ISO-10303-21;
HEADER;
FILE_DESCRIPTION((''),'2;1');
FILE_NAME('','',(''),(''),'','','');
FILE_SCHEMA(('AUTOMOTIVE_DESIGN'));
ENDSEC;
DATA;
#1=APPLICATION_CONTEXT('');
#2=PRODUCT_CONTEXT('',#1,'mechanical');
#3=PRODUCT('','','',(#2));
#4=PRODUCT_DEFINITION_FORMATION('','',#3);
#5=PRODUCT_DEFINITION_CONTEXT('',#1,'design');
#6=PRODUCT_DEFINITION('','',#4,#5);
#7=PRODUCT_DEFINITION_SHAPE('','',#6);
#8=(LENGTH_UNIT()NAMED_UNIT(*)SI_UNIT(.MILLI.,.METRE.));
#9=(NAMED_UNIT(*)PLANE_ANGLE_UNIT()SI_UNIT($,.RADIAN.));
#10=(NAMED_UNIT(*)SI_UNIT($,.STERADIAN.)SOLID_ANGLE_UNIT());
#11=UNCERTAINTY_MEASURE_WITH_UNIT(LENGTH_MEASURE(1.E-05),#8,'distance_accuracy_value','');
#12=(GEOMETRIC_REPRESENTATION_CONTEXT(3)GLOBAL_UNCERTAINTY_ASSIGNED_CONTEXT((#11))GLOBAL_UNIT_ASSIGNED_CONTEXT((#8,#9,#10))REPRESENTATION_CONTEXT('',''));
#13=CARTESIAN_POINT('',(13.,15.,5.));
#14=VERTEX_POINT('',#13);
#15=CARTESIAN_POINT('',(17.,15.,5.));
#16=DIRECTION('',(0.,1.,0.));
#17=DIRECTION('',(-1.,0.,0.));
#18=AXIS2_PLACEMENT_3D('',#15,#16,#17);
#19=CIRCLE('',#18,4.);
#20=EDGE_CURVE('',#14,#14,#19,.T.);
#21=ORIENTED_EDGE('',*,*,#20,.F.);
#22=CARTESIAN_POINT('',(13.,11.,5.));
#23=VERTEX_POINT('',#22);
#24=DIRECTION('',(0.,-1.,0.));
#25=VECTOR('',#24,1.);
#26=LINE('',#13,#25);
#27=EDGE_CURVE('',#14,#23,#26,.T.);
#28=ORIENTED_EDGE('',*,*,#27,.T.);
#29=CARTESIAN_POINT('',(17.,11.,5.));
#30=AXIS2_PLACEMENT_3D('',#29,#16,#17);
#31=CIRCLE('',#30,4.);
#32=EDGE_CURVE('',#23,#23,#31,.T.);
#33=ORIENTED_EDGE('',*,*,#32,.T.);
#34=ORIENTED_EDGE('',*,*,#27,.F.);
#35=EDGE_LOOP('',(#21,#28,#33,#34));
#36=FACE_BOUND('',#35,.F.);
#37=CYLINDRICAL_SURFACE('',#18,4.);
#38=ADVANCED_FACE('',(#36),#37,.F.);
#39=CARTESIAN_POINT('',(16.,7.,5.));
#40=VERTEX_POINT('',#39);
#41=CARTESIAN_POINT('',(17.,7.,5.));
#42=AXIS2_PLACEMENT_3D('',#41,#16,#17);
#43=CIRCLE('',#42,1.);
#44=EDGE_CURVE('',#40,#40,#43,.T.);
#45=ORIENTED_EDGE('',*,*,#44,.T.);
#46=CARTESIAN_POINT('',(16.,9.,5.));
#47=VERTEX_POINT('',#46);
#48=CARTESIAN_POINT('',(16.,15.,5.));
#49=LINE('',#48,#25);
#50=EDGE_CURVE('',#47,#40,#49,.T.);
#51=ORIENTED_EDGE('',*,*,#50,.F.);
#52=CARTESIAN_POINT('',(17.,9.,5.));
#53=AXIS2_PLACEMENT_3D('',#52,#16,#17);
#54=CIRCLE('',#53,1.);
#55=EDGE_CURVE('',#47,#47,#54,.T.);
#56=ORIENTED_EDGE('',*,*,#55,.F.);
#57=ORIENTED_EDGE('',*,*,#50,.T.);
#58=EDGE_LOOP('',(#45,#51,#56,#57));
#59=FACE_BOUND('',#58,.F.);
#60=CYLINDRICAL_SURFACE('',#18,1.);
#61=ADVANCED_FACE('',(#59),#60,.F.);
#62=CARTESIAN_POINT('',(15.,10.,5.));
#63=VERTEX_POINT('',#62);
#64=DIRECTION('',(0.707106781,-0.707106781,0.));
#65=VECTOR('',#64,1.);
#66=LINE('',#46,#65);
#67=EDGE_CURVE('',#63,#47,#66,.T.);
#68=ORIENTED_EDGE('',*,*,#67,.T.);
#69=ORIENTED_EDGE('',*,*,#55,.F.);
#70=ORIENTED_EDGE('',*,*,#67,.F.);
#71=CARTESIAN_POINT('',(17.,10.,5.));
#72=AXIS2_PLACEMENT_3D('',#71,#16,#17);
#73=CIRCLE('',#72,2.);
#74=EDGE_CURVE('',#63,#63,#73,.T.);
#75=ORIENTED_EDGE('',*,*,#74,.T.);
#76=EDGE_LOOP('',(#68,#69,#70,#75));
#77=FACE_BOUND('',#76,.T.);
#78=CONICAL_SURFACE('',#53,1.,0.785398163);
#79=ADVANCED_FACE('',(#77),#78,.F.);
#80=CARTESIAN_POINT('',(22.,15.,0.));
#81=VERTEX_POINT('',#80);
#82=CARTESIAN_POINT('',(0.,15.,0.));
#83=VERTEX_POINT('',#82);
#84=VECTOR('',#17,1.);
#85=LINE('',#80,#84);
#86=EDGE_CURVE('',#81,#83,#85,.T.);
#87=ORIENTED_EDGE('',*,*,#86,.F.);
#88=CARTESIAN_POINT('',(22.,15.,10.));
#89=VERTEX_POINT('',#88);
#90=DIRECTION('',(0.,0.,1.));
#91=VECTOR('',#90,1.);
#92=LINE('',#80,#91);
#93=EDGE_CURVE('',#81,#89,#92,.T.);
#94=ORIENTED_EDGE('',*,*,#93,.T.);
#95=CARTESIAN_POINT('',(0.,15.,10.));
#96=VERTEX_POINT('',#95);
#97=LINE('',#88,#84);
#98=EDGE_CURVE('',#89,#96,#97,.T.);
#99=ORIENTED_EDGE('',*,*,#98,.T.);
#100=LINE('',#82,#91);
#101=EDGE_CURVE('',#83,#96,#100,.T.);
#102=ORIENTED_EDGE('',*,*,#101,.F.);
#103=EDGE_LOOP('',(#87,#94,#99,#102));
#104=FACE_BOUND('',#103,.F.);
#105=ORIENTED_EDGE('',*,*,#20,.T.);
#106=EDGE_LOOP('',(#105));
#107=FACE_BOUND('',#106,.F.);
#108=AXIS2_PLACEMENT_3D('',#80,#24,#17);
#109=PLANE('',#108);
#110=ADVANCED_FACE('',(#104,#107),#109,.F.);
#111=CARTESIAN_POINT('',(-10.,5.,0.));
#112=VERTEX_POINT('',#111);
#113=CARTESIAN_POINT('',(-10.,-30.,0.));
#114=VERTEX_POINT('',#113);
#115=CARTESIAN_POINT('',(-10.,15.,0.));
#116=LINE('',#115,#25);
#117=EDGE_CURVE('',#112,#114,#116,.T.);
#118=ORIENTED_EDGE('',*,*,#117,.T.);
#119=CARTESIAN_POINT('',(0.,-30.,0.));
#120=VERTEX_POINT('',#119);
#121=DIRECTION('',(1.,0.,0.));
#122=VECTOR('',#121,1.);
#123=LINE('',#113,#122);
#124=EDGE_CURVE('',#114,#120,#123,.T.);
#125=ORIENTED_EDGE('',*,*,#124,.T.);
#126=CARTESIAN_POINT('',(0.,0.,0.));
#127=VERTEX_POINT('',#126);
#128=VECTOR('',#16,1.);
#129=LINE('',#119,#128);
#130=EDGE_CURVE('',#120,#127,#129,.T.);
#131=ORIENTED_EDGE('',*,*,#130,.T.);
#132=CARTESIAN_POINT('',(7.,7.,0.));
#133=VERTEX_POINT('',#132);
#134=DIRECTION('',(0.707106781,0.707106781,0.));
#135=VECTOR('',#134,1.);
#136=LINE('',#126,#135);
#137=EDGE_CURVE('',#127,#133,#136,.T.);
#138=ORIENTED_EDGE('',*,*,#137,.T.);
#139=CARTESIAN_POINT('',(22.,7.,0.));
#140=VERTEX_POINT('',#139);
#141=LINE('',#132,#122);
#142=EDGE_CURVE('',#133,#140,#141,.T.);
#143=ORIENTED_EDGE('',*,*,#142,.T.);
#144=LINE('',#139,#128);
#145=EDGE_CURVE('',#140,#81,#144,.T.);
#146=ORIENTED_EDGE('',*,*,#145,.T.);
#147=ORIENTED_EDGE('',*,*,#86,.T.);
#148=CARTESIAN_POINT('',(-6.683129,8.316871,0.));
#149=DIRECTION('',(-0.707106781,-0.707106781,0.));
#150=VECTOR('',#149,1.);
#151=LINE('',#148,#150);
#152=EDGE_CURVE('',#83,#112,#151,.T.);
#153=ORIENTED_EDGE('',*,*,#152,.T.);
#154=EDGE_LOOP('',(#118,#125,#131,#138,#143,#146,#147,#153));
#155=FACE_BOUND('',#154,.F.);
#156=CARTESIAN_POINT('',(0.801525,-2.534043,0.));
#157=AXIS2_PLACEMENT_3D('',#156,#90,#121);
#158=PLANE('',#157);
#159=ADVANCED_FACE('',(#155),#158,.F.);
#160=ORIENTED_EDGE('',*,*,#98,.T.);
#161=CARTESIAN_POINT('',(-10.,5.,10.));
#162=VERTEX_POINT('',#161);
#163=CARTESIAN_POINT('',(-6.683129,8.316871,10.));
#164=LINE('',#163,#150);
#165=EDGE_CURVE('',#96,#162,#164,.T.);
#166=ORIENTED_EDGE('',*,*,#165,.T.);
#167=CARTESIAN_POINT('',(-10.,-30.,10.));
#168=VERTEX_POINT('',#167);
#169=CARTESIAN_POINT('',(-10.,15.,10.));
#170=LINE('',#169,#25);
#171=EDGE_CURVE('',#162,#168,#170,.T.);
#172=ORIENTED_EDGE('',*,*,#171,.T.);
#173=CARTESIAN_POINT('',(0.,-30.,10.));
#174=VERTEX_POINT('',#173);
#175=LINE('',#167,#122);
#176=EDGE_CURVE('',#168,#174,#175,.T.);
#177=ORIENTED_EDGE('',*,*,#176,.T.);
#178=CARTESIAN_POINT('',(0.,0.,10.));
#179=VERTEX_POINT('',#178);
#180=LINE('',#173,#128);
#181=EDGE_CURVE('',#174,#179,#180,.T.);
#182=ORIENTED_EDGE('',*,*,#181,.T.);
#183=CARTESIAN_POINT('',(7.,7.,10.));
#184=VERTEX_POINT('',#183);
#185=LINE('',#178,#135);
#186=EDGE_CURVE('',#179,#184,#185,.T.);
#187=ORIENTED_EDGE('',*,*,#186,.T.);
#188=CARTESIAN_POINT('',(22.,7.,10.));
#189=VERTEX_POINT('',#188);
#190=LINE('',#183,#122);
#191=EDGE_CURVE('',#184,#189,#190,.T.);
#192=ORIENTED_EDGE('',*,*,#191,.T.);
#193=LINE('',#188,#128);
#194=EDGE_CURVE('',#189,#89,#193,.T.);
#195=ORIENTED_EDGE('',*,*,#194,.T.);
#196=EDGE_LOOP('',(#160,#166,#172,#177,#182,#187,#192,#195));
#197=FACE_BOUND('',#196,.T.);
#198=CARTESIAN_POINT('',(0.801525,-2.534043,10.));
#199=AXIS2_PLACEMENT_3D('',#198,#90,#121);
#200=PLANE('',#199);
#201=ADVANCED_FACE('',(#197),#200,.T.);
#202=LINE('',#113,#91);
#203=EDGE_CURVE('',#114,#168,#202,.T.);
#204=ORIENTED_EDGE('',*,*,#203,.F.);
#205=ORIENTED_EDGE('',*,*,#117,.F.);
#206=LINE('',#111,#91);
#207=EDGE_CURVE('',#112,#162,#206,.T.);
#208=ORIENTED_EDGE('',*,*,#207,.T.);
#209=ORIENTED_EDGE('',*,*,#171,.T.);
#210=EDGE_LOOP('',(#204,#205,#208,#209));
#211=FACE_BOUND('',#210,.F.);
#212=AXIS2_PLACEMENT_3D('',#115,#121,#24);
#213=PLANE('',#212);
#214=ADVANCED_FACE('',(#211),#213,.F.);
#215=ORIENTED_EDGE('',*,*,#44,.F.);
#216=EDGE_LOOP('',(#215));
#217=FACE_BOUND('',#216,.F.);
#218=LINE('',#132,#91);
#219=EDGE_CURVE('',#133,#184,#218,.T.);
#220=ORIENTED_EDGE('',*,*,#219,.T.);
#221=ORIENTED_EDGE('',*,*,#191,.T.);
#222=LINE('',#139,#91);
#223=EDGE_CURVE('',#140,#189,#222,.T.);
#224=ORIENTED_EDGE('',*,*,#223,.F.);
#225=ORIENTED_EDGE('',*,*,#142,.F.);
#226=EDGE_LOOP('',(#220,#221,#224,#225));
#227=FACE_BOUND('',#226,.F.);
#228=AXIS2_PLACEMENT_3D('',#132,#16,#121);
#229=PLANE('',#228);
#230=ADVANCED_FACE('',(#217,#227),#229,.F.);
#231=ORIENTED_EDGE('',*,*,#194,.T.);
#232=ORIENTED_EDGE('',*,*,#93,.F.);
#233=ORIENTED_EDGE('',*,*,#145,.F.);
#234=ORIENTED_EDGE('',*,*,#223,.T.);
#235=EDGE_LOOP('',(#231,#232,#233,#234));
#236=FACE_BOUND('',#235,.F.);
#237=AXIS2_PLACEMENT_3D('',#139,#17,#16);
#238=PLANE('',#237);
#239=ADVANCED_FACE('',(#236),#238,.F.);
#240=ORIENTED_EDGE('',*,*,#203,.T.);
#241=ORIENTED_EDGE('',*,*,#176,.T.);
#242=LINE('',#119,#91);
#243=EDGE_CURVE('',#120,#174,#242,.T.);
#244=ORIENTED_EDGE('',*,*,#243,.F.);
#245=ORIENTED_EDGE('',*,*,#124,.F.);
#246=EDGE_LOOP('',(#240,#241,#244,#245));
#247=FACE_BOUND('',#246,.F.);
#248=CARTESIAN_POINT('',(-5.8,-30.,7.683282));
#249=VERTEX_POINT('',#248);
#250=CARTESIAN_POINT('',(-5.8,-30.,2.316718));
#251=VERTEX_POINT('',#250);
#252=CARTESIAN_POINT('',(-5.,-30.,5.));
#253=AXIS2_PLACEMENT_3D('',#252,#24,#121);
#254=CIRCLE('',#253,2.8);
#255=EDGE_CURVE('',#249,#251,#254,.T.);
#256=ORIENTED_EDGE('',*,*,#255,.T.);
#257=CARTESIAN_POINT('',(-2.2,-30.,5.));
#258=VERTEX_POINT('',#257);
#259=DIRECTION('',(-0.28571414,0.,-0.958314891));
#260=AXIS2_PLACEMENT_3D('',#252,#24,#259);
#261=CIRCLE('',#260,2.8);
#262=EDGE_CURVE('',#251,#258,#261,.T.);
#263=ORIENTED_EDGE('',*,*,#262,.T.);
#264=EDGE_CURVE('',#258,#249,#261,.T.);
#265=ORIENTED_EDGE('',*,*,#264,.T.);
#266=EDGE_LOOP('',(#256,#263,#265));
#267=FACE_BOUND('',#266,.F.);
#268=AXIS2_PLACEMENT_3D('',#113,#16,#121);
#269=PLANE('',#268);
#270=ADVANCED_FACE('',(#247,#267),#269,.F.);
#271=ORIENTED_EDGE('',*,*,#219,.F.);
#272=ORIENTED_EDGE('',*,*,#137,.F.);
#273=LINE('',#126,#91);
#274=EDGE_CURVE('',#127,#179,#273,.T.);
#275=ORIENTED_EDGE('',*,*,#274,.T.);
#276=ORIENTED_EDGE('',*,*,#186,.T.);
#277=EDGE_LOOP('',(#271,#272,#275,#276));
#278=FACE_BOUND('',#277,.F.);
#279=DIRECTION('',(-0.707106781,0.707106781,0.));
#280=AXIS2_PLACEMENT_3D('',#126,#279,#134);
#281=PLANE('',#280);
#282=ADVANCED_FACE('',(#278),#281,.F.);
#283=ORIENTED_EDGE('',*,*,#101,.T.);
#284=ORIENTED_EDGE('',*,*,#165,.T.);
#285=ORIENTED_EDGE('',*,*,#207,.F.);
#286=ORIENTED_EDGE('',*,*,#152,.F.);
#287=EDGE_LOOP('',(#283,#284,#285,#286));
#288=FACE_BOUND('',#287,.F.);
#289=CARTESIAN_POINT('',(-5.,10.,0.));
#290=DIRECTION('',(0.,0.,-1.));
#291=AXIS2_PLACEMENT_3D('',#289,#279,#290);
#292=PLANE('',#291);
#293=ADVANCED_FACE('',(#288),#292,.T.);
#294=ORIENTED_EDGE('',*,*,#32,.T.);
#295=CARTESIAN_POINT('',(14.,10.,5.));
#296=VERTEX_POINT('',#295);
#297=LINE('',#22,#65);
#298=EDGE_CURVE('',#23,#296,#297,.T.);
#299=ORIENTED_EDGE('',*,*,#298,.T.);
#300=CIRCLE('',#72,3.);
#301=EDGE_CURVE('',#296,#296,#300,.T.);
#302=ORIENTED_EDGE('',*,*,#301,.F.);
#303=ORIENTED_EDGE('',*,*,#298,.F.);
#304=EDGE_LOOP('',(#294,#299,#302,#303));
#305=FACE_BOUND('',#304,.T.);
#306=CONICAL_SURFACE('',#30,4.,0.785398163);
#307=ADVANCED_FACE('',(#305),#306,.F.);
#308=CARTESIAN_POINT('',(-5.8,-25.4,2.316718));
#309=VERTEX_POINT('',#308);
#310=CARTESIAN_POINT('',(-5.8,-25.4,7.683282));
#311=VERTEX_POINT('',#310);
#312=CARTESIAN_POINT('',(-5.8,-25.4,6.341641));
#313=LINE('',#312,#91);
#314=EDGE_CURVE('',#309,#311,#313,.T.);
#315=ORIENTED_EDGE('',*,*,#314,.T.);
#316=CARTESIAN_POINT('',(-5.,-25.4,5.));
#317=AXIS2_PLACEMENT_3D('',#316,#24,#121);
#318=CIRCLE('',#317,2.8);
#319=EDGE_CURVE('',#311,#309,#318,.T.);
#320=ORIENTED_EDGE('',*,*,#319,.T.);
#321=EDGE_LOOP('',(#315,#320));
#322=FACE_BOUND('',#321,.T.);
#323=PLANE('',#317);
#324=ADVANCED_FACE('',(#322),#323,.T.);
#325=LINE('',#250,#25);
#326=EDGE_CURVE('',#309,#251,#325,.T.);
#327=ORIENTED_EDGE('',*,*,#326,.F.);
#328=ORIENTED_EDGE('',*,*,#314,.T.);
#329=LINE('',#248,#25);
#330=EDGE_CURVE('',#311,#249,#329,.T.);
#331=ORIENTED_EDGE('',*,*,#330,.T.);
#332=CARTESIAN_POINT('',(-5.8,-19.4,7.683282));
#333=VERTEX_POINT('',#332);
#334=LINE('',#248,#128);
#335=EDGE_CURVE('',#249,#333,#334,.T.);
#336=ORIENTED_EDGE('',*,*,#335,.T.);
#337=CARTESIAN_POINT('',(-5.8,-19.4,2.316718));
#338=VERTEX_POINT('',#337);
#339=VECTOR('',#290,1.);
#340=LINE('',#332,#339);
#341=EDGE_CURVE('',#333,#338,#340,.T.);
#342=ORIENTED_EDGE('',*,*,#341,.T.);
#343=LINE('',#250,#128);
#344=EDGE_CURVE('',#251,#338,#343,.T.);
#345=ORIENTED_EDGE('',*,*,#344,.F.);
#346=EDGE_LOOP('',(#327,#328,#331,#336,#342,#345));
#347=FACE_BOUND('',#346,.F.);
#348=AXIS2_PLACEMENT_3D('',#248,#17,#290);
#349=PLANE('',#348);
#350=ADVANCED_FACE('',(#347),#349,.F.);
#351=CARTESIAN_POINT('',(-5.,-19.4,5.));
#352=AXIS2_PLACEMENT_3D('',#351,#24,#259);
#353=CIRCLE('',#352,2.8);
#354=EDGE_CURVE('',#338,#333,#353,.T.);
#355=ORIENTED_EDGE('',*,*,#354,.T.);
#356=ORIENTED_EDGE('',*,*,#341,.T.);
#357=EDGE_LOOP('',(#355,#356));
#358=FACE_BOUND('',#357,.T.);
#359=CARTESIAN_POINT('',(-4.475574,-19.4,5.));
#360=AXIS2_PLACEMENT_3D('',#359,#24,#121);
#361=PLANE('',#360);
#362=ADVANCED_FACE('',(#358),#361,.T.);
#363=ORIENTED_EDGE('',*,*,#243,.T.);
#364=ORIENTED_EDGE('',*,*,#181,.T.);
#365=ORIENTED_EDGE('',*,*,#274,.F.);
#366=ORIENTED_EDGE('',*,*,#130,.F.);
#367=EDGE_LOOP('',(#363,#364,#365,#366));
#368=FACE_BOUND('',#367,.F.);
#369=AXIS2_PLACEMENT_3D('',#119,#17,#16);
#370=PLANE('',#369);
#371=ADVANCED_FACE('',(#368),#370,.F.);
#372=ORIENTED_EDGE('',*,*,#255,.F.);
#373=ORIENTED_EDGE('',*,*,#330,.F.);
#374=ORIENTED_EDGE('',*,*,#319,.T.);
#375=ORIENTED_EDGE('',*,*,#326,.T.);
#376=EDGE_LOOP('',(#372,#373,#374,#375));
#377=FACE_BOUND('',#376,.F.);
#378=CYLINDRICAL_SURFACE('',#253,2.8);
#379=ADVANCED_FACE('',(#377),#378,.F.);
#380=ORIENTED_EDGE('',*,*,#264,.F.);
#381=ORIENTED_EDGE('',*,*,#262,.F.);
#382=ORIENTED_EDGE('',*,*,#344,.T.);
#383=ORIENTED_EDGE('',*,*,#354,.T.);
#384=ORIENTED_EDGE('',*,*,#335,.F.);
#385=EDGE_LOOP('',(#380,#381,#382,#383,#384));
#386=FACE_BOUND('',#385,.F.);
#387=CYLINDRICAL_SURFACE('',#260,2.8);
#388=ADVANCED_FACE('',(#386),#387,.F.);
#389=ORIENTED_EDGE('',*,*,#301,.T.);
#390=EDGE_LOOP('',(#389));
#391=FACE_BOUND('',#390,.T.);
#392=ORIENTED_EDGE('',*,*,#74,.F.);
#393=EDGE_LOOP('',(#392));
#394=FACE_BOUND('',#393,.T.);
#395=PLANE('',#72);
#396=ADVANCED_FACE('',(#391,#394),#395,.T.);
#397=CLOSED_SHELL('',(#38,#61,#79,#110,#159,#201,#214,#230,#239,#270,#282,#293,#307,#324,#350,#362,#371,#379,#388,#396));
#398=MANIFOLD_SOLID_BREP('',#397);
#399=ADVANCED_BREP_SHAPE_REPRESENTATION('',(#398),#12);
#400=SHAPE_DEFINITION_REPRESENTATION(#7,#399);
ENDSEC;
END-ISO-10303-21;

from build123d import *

# Parameters (mm, degrees)
PAD_DEPTH       = 10
CHAMFER_SIZE    = 10
POCKET_DEPTH    = 10.6
SKETCH002_R     = 2.8
POCKET001_DEPTH = 4.6
SKETCH003_R     = 1
POCKET002_DEPTH = 45.001
SKETCH004_R     = 4
POCKET003_DEPTH = 5
CHAMFER001_SIZE = 1
CHAMFER002_SIZE = 1


with BuildPart() as part:
    # Sketch → Pad (new body)
    with BuildSketch(Plane.XY):
        Polygon((22, 15), (-10, 15), (-10, -30), (0, -30), (0, 0), (7, 7), (22, 7), align=None)
    extrude(amount=PAD_DEPTH)

    # Chamfer
    chamfer_edges = [part.edges().sort_by_distance(p)[0] for p in [
        (-10, 15, 5),
    ]]
    chamfer(chamfer_edges, length=CHAMFER_SIZE)

    # Sketch001 → Pocket (cut)
    with BuildSketch(Plane.XZ.offset(30)):
        with BuildLine():
            ThreePointArc((-5.8, 2.316718), (-2.2, 5), (-5.8, 7.683282))
            Line((-5.8, 7.683282), (-5.8, 2.316718))
        make_face()
    extrude(amount=-POCKET_DEPTH, mode=Mode.SUBTRACT)

    # Sketch002 → Pocket001 (cut)
    with BuildSketch(Plane.XZ.offset(30)):
        with Locations((-5, 5)):
            Circle(SKETCH002_R)
    extrude(amount=-POCKET001_DEPTH, mode=Mode.SUBTRACT)

    # Sketch003 → Pocket002 (cut, through all)
    with BuildSketch(Plane(origin=(0, 15, 0), x_dir=(-1, 0, 0), z_dir=(0, 1, 0))):
        with Locations((-17, 5)):
            Circle(SKETCH003_R)
    extrude(amount=-POCKET002_DEPTH, mode=Mode.SUBTRACT)

    # Sketch004 → Pocket003 (cut)
    with BuildSketch(Plane(origin=(0, 15, 0), x_dir=(-1, 0, 0), z_dir=(0, 1, 0))):
        with Locations((-17, 5)):
            Circle(SKETCH004_R)
    extrude(amount=-POCKET003_DEPTH, mode=Mode.SUBTRACT)

    # Chamfer001
    chamfer001_edges = [part.edges().sort_by_distance(p)[0] for p in [
        (21, 10, 5),
    ]]
    chamfer(chamfer001_edges, length=CHAMFER001_SIZE)

    # Chamfer002
    chamfer002_edges = [part.edges().sort_by_distance(p)[0] for p in [
        (18, 10, 5),
    ]]
    chamfer(chamfer002_edges, length=CHAMFER002_SIZE)


solid = part.part
